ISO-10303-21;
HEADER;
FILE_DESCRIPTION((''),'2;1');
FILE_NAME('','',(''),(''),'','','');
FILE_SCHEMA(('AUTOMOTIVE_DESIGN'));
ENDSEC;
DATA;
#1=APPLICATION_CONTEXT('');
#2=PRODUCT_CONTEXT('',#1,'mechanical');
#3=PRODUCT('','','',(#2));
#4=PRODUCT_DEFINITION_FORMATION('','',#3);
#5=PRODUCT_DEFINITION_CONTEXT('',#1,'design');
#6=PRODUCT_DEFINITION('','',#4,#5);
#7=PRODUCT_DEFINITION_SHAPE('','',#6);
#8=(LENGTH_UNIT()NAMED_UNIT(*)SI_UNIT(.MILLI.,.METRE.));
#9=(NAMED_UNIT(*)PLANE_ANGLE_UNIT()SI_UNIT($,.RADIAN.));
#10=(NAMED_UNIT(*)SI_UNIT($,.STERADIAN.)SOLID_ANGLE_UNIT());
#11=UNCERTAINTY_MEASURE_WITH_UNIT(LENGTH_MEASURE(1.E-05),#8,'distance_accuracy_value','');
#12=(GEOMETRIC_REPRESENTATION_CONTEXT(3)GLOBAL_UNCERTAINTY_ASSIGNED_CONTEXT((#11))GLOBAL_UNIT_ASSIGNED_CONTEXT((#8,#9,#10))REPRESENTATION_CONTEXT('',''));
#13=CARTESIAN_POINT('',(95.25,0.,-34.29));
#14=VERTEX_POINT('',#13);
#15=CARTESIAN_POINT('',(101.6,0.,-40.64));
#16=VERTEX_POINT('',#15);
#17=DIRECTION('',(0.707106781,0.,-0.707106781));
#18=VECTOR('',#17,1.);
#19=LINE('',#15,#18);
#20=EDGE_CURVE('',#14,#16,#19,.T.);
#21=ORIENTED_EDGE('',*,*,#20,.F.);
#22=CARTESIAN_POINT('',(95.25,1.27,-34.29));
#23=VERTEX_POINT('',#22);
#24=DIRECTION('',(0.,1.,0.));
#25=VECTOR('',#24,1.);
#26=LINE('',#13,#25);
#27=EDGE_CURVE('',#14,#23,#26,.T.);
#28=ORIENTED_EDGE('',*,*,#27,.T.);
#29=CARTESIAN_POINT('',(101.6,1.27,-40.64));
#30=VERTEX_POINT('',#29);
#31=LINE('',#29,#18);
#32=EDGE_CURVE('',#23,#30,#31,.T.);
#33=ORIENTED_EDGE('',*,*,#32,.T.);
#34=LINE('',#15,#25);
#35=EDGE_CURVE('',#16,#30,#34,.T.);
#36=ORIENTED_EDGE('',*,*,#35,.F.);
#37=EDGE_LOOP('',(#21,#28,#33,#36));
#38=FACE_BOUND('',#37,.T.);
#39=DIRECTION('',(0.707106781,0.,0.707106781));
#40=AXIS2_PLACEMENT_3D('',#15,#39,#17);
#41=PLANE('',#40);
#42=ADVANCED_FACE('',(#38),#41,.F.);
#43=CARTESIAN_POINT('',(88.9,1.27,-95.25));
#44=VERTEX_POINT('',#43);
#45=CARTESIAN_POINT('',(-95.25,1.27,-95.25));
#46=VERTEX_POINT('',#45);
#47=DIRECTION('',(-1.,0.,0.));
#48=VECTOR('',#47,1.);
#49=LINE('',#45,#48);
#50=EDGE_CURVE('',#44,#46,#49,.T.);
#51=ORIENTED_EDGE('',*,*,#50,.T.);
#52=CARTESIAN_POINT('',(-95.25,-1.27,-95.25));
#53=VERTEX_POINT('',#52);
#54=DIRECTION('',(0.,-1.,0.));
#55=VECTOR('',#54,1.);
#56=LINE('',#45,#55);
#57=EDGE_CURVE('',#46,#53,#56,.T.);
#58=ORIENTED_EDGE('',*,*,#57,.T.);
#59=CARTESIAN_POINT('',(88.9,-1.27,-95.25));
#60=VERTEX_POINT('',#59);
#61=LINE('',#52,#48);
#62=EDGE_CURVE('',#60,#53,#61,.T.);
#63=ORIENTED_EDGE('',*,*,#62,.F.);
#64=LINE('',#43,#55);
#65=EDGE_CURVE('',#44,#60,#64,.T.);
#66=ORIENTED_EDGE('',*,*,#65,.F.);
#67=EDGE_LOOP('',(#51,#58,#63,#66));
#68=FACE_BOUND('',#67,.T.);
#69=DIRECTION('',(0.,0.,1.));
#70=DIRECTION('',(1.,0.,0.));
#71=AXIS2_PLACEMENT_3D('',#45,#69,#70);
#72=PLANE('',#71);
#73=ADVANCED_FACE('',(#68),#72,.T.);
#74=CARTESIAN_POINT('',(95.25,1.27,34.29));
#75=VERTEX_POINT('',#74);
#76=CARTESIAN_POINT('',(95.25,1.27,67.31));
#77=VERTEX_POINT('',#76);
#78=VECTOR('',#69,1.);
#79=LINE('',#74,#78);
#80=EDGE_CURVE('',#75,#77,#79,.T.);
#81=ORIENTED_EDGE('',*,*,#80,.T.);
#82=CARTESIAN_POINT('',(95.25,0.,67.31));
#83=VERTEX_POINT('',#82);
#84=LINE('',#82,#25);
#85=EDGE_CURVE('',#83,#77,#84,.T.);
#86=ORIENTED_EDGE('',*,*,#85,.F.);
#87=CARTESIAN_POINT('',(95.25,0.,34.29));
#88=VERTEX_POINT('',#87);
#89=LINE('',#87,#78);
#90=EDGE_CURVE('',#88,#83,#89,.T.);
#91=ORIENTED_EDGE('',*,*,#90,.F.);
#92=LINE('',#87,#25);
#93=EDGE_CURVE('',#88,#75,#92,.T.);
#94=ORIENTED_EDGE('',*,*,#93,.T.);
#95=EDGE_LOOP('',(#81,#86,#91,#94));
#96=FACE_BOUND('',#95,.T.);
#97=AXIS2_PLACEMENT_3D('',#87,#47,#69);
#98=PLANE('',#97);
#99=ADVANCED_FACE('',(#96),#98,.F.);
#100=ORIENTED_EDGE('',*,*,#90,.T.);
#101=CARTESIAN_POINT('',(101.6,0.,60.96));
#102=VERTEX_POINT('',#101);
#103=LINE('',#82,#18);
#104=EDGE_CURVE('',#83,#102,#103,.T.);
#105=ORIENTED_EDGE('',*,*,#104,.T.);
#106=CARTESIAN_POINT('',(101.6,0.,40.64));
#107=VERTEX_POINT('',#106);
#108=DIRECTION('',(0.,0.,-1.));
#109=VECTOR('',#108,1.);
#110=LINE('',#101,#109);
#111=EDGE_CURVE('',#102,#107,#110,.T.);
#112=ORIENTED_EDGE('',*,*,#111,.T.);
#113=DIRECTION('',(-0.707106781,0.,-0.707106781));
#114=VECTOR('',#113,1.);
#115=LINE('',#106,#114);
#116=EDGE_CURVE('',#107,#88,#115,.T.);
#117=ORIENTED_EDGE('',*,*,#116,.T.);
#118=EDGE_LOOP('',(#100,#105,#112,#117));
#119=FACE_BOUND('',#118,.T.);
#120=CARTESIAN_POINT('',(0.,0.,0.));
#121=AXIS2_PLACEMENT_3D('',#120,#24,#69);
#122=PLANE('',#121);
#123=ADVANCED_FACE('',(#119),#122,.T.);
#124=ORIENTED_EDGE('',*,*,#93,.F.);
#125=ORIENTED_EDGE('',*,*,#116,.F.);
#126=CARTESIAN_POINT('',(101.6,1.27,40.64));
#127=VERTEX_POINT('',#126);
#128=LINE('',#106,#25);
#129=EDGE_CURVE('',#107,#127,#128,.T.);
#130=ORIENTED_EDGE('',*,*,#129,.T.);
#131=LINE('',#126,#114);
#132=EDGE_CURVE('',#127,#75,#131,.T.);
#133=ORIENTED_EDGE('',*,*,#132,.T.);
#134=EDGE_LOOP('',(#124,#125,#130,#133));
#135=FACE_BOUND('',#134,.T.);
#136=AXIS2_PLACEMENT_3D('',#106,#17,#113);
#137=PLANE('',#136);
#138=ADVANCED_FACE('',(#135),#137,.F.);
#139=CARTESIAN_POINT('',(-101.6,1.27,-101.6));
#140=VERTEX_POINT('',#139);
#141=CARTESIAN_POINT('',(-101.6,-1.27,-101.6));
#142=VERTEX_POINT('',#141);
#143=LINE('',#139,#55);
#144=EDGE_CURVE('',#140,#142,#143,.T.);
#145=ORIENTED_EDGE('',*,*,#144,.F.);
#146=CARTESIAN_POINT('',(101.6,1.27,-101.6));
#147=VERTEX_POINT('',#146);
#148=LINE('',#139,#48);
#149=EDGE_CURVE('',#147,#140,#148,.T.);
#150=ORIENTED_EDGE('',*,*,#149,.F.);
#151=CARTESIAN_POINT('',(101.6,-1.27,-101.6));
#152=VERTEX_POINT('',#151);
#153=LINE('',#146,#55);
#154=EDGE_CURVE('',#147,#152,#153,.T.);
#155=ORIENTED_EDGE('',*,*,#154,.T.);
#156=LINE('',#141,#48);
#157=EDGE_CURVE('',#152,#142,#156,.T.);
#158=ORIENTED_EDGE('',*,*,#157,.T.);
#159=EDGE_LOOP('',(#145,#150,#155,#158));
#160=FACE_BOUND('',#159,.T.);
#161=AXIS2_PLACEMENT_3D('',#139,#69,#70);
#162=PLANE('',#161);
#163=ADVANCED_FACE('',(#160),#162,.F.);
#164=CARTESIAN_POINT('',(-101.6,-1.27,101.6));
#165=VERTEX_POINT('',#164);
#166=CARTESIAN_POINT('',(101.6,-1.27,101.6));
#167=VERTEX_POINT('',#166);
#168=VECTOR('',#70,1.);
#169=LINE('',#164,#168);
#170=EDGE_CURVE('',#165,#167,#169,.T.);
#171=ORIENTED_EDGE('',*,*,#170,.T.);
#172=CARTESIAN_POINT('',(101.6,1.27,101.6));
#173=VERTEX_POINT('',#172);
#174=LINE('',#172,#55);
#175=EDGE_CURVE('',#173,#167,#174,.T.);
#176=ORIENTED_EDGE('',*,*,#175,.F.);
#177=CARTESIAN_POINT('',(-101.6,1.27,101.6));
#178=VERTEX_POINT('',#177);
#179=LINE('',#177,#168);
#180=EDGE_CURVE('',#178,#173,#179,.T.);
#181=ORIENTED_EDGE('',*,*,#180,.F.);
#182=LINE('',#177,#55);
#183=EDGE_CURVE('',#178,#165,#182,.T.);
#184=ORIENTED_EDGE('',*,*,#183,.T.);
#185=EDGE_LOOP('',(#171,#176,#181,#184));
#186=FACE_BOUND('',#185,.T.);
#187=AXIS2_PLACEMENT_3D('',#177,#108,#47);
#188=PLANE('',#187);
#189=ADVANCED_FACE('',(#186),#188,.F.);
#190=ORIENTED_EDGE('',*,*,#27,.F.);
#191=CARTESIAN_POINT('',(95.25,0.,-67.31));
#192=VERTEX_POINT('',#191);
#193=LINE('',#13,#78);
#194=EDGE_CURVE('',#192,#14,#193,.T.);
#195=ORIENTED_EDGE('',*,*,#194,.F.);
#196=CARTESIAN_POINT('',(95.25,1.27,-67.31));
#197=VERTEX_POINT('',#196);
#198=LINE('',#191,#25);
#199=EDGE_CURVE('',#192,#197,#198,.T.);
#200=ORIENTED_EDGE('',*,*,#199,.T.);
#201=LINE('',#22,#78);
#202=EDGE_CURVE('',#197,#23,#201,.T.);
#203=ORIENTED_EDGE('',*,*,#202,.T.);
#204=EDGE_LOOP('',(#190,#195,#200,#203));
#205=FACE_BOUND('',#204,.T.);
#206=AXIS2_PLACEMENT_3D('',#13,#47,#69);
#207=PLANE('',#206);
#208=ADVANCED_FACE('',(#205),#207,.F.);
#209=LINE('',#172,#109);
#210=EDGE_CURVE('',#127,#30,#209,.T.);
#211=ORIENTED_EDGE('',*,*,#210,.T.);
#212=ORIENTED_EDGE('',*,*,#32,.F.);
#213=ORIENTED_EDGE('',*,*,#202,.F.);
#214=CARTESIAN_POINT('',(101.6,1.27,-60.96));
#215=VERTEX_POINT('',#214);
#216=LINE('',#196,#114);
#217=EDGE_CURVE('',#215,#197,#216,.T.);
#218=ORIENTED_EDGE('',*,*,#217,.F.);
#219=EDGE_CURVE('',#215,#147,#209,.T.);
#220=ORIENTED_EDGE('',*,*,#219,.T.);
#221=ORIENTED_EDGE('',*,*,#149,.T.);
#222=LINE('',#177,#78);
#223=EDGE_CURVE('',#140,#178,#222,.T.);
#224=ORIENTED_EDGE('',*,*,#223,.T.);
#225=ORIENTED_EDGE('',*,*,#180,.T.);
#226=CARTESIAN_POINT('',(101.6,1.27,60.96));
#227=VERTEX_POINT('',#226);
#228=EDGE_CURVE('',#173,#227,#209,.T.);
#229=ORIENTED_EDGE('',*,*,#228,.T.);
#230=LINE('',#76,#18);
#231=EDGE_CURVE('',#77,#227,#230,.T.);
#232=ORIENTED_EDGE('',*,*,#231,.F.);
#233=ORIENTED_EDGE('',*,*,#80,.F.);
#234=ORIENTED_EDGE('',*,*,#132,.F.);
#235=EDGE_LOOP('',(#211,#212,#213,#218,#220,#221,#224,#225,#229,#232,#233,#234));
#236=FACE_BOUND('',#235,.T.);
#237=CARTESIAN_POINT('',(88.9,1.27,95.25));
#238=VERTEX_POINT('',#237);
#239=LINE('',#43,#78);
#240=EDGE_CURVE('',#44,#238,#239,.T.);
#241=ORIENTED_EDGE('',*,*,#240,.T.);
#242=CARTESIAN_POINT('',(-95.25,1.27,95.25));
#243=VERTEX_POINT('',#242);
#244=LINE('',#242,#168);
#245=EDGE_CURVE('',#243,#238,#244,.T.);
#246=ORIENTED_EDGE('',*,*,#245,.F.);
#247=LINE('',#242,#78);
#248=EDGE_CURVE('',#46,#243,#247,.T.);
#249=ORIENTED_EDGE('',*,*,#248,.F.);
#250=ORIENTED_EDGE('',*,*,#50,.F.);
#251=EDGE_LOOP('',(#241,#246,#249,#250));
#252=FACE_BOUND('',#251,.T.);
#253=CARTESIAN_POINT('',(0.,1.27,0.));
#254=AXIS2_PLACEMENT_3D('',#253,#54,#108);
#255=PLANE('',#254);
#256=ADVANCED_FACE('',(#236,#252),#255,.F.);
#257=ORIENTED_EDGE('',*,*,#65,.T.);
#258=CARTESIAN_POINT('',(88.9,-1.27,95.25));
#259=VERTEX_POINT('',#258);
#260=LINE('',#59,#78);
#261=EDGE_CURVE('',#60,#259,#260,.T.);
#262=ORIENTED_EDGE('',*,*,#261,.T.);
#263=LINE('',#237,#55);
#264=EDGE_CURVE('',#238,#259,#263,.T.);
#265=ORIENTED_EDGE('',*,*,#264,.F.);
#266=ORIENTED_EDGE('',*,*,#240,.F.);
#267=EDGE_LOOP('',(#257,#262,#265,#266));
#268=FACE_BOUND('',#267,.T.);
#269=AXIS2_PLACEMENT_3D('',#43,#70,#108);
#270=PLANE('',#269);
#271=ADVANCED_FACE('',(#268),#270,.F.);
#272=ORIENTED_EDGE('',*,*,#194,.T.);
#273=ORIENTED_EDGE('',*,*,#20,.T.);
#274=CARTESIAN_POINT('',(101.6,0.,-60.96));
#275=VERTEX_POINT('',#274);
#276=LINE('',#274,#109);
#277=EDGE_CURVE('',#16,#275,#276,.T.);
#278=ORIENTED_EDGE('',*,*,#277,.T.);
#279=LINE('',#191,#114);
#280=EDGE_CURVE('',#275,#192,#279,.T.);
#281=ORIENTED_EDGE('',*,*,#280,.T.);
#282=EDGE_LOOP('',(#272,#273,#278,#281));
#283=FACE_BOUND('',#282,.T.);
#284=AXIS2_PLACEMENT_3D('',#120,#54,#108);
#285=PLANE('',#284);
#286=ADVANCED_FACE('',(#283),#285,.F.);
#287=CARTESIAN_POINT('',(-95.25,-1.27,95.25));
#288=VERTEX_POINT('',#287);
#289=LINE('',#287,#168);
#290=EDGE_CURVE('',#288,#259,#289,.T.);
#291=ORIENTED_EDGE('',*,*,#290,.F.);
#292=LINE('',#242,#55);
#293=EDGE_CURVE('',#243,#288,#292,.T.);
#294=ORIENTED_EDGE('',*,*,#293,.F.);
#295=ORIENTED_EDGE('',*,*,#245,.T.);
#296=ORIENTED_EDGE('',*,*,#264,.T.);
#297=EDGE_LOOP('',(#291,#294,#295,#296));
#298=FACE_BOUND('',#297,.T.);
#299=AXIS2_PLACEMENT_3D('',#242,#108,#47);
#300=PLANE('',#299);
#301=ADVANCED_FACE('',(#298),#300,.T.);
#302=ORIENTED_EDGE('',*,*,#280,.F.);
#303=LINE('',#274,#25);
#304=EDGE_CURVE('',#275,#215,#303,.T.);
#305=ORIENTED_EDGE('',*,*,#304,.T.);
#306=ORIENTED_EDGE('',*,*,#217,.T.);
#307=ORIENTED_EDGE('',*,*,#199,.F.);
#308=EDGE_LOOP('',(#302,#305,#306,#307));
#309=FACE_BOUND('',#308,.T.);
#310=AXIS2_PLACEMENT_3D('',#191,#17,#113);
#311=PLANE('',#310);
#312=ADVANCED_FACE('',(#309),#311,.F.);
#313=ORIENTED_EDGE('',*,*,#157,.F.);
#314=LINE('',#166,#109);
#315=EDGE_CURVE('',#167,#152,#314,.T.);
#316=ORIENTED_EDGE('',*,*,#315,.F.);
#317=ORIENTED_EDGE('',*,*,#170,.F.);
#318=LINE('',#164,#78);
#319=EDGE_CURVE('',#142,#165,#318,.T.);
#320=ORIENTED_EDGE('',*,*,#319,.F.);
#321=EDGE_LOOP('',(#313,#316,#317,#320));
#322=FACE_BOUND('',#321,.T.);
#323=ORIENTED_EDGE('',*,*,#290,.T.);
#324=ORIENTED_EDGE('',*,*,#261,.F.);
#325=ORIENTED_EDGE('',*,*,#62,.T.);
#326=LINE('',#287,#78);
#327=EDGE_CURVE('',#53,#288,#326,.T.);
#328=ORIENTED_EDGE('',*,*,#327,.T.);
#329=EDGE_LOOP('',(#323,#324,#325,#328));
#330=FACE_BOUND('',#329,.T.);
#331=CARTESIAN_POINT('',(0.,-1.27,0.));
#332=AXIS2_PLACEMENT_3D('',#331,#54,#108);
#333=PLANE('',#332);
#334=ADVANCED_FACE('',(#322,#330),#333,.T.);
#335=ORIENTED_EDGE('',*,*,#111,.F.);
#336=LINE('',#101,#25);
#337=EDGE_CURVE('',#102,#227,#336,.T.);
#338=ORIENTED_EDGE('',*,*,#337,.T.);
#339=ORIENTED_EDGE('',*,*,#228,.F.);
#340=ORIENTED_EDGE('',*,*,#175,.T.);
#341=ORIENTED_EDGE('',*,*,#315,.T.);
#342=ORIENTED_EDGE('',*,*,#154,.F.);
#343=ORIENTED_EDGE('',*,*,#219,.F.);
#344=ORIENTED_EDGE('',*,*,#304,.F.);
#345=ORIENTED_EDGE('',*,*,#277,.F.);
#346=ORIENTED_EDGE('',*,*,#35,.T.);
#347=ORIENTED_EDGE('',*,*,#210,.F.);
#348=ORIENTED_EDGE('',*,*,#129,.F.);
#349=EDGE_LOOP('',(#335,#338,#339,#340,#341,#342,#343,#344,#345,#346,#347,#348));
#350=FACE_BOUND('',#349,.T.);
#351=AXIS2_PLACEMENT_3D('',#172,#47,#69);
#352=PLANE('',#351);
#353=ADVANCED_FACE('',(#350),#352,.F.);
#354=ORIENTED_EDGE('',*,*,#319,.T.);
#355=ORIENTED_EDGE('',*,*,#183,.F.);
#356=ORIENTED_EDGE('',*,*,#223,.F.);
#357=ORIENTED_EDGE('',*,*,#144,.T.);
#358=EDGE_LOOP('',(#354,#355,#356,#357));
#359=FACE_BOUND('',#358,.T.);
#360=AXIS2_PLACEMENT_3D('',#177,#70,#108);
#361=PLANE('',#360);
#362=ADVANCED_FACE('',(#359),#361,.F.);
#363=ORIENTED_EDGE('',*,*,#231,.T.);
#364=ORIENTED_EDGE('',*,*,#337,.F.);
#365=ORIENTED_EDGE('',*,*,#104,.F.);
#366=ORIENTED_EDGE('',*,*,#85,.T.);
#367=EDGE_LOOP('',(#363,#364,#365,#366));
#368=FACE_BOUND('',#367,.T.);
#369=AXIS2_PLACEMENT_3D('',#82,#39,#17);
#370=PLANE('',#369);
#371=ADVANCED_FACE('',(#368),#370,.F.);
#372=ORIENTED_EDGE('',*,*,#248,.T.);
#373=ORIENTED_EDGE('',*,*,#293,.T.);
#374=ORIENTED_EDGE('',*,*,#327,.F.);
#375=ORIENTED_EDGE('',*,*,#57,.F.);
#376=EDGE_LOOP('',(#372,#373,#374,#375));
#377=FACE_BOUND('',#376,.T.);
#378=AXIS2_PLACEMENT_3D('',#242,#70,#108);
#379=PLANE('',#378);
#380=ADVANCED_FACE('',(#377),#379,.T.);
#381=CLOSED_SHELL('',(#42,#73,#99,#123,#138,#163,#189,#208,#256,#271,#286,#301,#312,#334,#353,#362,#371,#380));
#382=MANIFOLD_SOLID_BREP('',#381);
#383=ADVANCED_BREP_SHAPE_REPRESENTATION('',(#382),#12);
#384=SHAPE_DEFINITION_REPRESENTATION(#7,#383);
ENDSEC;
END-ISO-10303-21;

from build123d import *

# Parameters (mm, degrees)
SKETCH1_W           = 203.2
SKETCH1_H           = 203.2
SKETCH1_W_2         = 190.5
SKETCH1_H_2         = 190.5
BOSS_EXTRUDE1_DEPTH = 1.27
SKETCH2_W           = 6.35
SKETCH2_H           = 190.5
BOSS_EXTRUDE2_DEPTH = 1.27
CUT_EXTRUDE1_DEPTH  = 1.27


with BuildPart() as part:
    # Sketch1 → Boss-Extrude1 (new body, symmetric)
    with BuildSketch(Plane(origin=(0, 0, 0), x_dir=(1, 0, 0), z_dir=(0, 1, 0))):
        Rectangle(SKETCH1_W, SKETCH1_H)
        Rectangle(SKETCH1_W_2, SKETCH1_H_2, mode=Mode.SUBTRACT)
    extrude(amount=BOSS_EXTRUDE1_DEPTH, both=True)

    # Sketch2 → Boss-Extrude2 (add, symmetric)
    with BuildSketch(Plane(origin=(0, 0, 0), x_dir=(1, 0, 0), z_dir=(0, 1, 0))):
        with Locations((92.075, 0)):
            Rectangle(SKETCH2_W, SKETCH2_H)
    extrude(amount=BOSS_EXTRUDE2_DEPTH, both=True)

    # Sketch3 → Cut-Extrude1 (cut)
    with BuildSketch(Plane(origin=(0, 1.27, 0), x_dir=(1, 0, 0), z_dir=(0, 1, 0))):
        Polygon((101.6, 40.64), (95.25, 34.29), (95.25, 67.31), (101.6, 60.96), align=None)
        Polygon((101.6, -60.96), (101.6, -40.64), (95.25, -34.29), (95.25, -67.31), align=None)
    extrude(amount=-CUT_EXTRUDE1_DEPTH, mode=Mode.SUBTRACT)


solid = part.part
